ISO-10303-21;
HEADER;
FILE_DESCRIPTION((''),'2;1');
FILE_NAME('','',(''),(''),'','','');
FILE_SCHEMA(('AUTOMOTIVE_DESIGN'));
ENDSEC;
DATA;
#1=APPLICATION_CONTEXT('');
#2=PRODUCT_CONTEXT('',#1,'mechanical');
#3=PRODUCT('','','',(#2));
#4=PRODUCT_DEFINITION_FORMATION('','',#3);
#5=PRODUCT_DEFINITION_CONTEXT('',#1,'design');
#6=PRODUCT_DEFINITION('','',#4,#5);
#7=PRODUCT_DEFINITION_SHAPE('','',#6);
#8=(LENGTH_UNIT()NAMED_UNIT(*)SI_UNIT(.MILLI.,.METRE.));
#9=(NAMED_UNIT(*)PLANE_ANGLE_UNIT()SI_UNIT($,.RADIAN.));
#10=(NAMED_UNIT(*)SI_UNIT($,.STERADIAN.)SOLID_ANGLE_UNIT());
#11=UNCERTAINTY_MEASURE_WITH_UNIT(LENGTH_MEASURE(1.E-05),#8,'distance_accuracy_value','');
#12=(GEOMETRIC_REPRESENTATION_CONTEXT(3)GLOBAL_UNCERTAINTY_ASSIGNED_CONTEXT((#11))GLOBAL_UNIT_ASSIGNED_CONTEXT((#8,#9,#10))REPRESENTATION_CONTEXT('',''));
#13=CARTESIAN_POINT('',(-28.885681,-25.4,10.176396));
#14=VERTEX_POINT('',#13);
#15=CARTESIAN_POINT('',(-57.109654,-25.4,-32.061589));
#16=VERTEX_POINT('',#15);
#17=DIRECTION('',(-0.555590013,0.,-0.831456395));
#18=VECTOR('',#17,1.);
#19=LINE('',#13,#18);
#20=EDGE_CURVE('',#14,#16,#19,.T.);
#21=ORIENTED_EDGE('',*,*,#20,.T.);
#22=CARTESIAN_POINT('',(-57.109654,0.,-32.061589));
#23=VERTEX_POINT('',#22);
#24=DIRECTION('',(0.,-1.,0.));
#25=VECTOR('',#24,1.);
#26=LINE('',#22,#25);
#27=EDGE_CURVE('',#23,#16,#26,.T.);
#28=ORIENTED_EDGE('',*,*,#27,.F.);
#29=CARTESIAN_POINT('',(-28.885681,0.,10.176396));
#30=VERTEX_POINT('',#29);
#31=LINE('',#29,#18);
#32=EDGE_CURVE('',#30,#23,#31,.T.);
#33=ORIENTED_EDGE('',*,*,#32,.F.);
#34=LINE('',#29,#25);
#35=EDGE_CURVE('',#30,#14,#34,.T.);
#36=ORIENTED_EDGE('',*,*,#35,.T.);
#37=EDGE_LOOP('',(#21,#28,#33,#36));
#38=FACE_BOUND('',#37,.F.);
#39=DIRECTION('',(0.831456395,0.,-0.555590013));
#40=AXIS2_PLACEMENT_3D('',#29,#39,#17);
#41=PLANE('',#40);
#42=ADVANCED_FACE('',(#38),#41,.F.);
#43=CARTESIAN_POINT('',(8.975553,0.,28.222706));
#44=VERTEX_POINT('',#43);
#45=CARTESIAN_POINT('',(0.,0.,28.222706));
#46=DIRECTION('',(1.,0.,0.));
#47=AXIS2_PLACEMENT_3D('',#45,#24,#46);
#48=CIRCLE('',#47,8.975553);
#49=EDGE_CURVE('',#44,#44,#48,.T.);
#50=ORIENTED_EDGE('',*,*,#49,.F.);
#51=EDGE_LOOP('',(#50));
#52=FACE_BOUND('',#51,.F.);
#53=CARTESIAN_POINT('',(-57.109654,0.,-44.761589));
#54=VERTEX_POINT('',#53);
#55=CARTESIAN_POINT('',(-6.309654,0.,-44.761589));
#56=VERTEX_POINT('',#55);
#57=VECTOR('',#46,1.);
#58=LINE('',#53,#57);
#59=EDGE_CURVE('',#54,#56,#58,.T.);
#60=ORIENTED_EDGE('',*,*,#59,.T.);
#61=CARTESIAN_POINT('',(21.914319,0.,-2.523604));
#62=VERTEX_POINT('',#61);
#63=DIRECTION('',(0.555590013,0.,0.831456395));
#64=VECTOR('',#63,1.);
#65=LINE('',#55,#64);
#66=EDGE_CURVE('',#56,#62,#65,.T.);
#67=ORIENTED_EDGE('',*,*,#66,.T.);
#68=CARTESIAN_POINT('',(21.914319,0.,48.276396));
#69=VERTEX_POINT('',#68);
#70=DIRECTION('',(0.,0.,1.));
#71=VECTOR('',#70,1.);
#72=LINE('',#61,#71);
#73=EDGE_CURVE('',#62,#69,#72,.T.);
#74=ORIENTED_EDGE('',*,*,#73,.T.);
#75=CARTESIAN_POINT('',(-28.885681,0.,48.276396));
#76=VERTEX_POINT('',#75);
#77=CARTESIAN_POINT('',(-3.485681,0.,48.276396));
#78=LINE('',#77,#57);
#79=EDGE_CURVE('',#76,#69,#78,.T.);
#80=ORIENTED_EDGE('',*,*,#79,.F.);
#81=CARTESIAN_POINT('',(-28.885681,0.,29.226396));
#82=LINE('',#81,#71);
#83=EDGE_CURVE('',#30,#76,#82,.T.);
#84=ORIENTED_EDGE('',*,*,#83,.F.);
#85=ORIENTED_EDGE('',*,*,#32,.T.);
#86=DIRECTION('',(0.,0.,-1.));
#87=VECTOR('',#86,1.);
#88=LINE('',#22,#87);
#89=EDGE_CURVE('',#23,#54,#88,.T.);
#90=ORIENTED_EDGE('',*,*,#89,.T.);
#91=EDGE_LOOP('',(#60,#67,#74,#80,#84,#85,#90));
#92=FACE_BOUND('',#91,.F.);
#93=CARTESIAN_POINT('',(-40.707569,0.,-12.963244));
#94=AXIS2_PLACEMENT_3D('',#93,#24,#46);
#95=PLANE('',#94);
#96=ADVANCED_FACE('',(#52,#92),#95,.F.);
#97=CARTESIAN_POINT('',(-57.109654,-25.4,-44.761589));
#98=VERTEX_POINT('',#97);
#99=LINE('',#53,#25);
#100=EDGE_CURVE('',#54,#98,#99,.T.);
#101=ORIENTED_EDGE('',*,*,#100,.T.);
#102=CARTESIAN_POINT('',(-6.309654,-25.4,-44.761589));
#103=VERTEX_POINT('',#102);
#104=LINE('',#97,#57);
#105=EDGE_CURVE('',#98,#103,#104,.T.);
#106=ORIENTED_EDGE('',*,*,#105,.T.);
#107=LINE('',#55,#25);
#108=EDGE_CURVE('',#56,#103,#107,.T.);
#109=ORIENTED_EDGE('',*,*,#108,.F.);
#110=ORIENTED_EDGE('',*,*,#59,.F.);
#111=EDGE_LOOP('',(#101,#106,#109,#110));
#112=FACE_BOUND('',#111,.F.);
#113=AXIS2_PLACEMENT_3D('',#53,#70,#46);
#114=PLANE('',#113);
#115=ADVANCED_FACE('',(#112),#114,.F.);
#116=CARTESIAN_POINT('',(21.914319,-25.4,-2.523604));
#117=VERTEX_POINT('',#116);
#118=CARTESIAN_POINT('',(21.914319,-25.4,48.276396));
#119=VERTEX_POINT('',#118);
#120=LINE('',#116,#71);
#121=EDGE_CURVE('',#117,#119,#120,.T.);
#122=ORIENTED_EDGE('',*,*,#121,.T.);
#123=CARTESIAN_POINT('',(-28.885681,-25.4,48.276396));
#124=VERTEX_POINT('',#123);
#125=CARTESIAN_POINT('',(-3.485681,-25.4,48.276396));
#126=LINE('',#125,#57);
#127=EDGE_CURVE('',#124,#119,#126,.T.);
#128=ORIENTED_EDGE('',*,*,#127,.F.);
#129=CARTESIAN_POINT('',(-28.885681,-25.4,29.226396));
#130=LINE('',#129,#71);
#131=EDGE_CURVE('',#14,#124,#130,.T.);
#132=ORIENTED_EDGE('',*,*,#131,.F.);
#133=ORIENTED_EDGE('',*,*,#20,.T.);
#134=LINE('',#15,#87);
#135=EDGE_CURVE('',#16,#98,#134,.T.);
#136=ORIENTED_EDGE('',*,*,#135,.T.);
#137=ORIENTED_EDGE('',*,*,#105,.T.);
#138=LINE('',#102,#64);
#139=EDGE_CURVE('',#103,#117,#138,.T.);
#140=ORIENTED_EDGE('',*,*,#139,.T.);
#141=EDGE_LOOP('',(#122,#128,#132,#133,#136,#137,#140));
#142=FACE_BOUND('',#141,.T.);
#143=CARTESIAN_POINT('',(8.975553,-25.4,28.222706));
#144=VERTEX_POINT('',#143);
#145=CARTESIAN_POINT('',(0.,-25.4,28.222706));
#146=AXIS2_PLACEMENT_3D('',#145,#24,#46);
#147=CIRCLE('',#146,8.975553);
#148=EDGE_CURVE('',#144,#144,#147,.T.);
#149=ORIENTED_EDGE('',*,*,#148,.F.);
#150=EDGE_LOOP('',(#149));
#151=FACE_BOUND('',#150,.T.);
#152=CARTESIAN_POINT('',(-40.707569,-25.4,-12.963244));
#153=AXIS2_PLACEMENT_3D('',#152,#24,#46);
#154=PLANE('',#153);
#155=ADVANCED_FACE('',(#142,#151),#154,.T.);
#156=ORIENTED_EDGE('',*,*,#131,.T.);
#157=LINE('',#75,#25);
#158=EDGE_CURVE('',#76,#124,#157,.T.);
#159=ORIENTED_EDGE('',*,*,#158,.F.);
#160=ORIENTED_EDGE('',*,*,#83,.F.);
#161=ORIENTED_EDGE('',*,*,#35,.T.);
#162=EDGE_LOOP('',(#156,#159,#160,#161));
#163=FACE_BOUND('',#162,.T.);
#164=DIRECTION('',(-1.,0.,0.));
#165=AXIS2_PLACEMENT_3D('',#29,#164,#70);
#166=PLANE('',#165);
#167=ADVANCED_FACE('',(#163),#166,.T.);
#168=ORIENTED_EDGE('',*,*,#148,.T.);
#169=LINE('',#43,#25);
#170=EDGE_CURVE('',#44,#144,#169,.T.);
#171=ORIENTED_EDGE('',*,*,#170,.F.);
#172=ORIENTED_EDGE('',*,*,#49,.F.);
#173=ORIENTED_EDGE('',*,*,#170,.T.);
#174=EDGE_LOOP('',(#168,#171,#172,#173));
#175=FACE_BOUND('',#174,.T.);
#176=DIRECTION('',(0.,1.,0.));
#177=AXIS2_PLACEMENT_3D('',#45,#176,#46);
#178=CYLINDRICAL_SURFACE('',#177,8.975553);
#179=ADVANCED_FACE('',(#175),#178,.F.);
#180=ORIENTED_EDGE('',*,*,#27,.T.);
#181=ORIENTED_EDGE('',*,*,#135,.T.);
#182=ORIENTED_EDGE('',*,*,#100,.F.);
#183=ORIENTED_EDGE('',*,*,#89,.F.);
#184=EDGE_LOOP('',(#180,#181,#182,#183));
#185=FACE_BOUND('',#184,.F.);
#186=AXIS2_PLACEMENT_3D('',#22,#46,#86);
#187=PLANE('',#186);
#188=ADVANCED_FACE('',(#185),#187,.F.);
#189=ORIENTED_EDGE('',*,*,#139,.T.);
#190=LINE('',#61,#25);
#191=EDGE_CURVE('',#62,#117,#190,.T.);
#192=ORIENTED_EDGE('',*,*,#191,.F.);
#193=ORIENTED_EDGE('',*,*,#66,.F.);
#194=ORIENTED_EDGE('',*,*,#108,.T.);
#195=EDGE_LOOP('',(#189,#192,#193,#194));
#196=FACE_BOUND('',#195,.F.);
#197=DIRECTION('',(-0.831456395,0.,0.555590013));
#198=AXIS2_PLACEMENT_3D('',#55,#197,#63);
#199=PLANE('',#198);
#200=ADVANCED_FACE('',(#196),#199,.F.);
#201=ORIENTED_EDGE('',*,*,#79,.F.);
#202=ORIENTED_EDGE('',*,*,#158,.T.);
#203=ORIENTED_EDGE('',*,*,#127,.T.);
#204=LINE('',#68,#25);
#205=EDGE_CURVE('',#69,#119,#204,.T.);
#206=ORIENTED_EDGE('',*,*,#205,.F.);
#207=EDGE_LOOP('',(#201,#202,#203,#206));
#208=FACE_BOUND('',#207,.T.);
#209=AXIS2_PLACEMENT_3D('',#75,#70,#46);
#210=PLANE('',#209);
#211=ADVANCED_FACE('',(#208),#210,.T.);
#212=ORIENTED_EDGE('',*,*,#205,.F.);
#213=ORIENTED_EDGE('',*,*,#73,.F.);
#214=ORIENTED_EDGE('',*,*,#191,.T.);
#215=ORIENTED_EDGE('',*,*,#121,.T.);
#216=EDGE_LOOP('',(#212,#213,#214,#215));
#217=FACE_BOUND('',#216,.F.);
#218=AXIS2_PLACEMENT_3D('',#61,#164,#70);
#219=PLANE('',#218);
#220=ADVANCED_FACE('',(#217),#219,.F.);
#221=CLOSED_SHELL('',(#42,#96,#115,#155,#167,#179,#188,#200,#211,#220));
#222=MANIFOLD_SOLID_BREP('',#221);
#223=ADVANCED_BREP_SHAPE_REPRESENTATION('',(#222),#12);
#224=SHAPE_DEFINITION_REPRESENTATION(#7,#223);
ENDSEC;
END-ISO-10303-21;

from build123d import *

# Parameters (mm, degrees)
F0_W     = 50.8
F0_H     = 38.1
F0_R     = 8.975552763
F1_DEPTH = 25.4


with BuildPart() as f1:
    # F0 (on Front) → F1 (new body)
    with BuildSketch(Plane.XZ):
        Polygon((-28.8856811149, 10.1763955508), (-57.109653774, -32.0615893364), (-48.6233480535, -32.0615893364), (-28.8856811149, -2.5236044492), align=None)
        Polygon((-48.6233480535, -32.0615893364), (-57.109653774, -32.0615893364), (-57.109653774, -44.7615893364), align=None)
        Polygon((-6.309653774, -32.0615893364), (-48.6233480535, -32.0615893364), (-57.109653774, -44.7615893364), (-6.309653774, -44.7615893364), align=None)
        Polygon((21.9143188851, 10.1763955508), (-28.8856811149, 10.1763955508), (-28.8856811149, -2.5236044492), (13.4280131646, -2.5236044492), align=None)
        with Locations((-3.4856811149, 29.2263955508)):
            Rectangle(F0_W, F0_H)
        with Locations((0, 28.2227061689)):
            Circle(F0_R, mode=Mode.SUBTRACT)
        Polygon((13.4280131646, -2.5236044492), (-6.309653774, -32.0615893364), (-6.309653774, -44.7615893364), (21.9143188851, -2.5236044492), align=None)
        Polygon((21.9143188851, -2.5236044492), (21.9143188851, 10.1763955508), (13.4280131646, -2.5236044492), align=None)
        Polygon((-28.8856811149, -2.5236044492), (-48.6233480535, -32.0615893364), (-6.309653774, -32.0615893364), (13.4280131646, -2.5236044492), align=None)
    extrude(amount=F1_DEPTH)


solid = f1.part
